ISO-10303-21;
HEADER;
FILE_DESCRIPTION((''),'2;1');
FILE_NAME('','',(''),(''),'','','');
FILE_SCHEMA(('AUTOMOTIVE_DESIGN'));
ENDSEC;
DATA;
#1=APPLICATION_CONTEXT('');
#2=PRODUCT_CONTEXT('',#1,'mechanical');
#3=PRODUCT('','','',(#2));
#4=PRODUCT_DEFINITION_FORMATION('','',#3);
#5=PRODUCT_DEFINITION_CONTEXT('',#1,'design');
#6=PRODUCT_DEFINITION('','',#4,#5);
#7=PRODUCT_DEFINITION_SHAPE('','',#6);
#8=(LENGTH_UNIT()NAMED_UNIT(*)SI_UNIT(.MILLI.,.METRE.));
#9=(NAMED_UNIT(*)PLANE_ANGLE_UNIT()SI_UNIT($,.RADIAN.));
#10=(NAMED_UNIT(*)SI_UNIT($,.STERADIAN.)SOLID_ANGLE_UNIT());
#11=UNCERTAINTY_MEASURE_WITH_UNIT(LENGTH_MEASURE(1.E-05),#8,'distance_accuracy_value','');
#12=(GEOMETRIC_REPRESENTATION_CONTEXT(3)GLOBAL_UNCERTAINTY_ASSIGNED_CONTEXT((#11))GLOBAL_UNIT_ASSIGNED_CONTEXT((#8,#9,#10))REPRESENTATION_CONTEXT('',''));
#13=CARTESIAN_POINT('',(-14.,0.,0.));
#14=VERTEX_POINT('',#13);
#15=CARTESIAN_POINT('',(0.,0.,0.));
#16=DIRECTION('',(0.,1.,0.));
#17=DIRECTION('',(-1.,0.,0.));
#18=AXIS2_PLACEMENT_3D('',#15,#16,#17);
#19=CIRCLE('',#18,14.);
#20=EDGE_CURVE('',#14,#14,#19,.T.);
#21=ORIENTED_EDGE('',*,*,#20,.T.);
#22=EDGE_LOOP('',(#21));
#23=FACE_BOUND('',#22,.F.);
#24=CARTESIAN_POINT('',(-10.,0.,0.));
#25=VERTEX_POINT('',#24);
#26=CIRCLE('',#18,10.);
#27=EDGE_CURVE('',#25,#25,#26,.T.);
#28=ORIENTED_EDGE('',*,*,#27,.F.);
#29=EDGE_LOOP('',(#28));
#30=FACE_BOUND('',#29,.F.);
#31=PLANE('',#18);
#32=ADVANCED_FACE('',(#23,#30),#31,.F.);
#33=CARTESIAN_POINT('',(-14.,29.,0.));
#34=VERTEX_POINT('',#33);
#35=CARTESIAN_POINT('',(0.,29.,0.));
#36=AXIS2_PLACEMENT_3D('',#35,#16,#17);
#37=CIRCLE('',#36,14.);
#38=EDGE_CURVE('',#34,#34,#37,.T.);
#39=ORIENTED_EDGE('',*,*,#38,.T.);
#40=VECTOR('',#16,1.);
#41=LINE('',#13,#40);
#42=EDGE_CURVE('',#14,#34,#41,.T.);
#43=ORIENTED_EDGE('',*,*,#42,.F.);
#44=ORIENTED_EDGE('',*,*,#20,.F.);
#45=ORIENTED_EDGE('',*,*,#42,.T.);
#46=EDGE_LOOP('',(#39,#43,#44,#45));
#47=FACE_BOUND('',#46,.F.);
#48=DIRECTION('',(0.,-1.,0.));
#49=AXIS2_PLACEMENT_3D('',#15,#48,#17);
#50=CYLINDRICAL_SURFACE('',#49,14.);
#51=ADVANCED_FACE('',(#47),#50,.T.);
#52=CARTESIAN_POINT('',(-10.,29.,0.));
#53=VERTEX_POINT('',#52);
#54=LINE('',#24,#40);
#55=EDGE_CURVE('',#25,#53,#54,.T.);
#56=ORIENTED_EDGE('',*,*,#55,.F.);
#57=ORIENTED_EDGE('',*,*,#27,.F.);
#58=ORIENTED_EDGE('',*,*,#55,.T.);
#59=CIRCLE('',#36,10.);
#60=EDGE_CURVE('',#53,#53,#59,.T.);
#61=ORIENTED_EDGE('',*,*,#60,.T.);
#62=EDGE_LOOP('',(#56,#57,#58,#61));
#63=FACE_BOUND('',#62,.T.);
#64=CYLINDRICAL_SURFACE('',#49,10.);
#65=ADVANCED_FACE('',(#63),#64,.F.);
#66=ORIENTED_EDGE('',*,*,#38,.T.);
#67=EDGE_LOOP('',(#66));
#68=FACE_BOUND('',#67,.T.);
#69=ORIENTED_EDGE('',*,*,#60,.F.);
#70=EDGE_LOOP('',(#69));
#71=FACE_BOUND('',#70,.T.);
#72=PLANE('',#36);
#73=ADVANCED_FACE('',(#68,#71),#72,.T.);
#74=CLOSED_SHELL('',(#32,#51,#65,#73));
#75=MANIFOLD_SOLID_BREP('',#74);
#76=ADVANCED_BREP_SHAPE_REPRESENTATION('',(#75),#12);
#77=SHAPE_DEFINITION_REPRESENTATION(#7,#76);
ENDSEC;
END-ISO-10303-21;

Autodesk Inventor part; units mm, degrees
ref_plane "YZ Plane" through (0, 0, 0) normal (1, 0, 0) x (0, 1, 0)
ref_plane "XZ Plane" through (0, 0, 0) normal (0, 1, 0) x (-1, 0, 0)
ref_plane "XY Plane" through (0, 0, 0) normal (0, 0, 1) x (1, 0, 0)
sketch "Náčrt1" plane through (0, 0, 0) normal (0, 1, 0) x (-1, 0, 0)
  circle A0 centre (0, 0) radius 10
  circle A1 centre (0, 0) radius 14
  dimension "d0" = 20
  dimension "d1" = 28
extrude "Vysunutí1" add sketch "Náčrt1" along normal blind 29
properties part number "pouzdro"
